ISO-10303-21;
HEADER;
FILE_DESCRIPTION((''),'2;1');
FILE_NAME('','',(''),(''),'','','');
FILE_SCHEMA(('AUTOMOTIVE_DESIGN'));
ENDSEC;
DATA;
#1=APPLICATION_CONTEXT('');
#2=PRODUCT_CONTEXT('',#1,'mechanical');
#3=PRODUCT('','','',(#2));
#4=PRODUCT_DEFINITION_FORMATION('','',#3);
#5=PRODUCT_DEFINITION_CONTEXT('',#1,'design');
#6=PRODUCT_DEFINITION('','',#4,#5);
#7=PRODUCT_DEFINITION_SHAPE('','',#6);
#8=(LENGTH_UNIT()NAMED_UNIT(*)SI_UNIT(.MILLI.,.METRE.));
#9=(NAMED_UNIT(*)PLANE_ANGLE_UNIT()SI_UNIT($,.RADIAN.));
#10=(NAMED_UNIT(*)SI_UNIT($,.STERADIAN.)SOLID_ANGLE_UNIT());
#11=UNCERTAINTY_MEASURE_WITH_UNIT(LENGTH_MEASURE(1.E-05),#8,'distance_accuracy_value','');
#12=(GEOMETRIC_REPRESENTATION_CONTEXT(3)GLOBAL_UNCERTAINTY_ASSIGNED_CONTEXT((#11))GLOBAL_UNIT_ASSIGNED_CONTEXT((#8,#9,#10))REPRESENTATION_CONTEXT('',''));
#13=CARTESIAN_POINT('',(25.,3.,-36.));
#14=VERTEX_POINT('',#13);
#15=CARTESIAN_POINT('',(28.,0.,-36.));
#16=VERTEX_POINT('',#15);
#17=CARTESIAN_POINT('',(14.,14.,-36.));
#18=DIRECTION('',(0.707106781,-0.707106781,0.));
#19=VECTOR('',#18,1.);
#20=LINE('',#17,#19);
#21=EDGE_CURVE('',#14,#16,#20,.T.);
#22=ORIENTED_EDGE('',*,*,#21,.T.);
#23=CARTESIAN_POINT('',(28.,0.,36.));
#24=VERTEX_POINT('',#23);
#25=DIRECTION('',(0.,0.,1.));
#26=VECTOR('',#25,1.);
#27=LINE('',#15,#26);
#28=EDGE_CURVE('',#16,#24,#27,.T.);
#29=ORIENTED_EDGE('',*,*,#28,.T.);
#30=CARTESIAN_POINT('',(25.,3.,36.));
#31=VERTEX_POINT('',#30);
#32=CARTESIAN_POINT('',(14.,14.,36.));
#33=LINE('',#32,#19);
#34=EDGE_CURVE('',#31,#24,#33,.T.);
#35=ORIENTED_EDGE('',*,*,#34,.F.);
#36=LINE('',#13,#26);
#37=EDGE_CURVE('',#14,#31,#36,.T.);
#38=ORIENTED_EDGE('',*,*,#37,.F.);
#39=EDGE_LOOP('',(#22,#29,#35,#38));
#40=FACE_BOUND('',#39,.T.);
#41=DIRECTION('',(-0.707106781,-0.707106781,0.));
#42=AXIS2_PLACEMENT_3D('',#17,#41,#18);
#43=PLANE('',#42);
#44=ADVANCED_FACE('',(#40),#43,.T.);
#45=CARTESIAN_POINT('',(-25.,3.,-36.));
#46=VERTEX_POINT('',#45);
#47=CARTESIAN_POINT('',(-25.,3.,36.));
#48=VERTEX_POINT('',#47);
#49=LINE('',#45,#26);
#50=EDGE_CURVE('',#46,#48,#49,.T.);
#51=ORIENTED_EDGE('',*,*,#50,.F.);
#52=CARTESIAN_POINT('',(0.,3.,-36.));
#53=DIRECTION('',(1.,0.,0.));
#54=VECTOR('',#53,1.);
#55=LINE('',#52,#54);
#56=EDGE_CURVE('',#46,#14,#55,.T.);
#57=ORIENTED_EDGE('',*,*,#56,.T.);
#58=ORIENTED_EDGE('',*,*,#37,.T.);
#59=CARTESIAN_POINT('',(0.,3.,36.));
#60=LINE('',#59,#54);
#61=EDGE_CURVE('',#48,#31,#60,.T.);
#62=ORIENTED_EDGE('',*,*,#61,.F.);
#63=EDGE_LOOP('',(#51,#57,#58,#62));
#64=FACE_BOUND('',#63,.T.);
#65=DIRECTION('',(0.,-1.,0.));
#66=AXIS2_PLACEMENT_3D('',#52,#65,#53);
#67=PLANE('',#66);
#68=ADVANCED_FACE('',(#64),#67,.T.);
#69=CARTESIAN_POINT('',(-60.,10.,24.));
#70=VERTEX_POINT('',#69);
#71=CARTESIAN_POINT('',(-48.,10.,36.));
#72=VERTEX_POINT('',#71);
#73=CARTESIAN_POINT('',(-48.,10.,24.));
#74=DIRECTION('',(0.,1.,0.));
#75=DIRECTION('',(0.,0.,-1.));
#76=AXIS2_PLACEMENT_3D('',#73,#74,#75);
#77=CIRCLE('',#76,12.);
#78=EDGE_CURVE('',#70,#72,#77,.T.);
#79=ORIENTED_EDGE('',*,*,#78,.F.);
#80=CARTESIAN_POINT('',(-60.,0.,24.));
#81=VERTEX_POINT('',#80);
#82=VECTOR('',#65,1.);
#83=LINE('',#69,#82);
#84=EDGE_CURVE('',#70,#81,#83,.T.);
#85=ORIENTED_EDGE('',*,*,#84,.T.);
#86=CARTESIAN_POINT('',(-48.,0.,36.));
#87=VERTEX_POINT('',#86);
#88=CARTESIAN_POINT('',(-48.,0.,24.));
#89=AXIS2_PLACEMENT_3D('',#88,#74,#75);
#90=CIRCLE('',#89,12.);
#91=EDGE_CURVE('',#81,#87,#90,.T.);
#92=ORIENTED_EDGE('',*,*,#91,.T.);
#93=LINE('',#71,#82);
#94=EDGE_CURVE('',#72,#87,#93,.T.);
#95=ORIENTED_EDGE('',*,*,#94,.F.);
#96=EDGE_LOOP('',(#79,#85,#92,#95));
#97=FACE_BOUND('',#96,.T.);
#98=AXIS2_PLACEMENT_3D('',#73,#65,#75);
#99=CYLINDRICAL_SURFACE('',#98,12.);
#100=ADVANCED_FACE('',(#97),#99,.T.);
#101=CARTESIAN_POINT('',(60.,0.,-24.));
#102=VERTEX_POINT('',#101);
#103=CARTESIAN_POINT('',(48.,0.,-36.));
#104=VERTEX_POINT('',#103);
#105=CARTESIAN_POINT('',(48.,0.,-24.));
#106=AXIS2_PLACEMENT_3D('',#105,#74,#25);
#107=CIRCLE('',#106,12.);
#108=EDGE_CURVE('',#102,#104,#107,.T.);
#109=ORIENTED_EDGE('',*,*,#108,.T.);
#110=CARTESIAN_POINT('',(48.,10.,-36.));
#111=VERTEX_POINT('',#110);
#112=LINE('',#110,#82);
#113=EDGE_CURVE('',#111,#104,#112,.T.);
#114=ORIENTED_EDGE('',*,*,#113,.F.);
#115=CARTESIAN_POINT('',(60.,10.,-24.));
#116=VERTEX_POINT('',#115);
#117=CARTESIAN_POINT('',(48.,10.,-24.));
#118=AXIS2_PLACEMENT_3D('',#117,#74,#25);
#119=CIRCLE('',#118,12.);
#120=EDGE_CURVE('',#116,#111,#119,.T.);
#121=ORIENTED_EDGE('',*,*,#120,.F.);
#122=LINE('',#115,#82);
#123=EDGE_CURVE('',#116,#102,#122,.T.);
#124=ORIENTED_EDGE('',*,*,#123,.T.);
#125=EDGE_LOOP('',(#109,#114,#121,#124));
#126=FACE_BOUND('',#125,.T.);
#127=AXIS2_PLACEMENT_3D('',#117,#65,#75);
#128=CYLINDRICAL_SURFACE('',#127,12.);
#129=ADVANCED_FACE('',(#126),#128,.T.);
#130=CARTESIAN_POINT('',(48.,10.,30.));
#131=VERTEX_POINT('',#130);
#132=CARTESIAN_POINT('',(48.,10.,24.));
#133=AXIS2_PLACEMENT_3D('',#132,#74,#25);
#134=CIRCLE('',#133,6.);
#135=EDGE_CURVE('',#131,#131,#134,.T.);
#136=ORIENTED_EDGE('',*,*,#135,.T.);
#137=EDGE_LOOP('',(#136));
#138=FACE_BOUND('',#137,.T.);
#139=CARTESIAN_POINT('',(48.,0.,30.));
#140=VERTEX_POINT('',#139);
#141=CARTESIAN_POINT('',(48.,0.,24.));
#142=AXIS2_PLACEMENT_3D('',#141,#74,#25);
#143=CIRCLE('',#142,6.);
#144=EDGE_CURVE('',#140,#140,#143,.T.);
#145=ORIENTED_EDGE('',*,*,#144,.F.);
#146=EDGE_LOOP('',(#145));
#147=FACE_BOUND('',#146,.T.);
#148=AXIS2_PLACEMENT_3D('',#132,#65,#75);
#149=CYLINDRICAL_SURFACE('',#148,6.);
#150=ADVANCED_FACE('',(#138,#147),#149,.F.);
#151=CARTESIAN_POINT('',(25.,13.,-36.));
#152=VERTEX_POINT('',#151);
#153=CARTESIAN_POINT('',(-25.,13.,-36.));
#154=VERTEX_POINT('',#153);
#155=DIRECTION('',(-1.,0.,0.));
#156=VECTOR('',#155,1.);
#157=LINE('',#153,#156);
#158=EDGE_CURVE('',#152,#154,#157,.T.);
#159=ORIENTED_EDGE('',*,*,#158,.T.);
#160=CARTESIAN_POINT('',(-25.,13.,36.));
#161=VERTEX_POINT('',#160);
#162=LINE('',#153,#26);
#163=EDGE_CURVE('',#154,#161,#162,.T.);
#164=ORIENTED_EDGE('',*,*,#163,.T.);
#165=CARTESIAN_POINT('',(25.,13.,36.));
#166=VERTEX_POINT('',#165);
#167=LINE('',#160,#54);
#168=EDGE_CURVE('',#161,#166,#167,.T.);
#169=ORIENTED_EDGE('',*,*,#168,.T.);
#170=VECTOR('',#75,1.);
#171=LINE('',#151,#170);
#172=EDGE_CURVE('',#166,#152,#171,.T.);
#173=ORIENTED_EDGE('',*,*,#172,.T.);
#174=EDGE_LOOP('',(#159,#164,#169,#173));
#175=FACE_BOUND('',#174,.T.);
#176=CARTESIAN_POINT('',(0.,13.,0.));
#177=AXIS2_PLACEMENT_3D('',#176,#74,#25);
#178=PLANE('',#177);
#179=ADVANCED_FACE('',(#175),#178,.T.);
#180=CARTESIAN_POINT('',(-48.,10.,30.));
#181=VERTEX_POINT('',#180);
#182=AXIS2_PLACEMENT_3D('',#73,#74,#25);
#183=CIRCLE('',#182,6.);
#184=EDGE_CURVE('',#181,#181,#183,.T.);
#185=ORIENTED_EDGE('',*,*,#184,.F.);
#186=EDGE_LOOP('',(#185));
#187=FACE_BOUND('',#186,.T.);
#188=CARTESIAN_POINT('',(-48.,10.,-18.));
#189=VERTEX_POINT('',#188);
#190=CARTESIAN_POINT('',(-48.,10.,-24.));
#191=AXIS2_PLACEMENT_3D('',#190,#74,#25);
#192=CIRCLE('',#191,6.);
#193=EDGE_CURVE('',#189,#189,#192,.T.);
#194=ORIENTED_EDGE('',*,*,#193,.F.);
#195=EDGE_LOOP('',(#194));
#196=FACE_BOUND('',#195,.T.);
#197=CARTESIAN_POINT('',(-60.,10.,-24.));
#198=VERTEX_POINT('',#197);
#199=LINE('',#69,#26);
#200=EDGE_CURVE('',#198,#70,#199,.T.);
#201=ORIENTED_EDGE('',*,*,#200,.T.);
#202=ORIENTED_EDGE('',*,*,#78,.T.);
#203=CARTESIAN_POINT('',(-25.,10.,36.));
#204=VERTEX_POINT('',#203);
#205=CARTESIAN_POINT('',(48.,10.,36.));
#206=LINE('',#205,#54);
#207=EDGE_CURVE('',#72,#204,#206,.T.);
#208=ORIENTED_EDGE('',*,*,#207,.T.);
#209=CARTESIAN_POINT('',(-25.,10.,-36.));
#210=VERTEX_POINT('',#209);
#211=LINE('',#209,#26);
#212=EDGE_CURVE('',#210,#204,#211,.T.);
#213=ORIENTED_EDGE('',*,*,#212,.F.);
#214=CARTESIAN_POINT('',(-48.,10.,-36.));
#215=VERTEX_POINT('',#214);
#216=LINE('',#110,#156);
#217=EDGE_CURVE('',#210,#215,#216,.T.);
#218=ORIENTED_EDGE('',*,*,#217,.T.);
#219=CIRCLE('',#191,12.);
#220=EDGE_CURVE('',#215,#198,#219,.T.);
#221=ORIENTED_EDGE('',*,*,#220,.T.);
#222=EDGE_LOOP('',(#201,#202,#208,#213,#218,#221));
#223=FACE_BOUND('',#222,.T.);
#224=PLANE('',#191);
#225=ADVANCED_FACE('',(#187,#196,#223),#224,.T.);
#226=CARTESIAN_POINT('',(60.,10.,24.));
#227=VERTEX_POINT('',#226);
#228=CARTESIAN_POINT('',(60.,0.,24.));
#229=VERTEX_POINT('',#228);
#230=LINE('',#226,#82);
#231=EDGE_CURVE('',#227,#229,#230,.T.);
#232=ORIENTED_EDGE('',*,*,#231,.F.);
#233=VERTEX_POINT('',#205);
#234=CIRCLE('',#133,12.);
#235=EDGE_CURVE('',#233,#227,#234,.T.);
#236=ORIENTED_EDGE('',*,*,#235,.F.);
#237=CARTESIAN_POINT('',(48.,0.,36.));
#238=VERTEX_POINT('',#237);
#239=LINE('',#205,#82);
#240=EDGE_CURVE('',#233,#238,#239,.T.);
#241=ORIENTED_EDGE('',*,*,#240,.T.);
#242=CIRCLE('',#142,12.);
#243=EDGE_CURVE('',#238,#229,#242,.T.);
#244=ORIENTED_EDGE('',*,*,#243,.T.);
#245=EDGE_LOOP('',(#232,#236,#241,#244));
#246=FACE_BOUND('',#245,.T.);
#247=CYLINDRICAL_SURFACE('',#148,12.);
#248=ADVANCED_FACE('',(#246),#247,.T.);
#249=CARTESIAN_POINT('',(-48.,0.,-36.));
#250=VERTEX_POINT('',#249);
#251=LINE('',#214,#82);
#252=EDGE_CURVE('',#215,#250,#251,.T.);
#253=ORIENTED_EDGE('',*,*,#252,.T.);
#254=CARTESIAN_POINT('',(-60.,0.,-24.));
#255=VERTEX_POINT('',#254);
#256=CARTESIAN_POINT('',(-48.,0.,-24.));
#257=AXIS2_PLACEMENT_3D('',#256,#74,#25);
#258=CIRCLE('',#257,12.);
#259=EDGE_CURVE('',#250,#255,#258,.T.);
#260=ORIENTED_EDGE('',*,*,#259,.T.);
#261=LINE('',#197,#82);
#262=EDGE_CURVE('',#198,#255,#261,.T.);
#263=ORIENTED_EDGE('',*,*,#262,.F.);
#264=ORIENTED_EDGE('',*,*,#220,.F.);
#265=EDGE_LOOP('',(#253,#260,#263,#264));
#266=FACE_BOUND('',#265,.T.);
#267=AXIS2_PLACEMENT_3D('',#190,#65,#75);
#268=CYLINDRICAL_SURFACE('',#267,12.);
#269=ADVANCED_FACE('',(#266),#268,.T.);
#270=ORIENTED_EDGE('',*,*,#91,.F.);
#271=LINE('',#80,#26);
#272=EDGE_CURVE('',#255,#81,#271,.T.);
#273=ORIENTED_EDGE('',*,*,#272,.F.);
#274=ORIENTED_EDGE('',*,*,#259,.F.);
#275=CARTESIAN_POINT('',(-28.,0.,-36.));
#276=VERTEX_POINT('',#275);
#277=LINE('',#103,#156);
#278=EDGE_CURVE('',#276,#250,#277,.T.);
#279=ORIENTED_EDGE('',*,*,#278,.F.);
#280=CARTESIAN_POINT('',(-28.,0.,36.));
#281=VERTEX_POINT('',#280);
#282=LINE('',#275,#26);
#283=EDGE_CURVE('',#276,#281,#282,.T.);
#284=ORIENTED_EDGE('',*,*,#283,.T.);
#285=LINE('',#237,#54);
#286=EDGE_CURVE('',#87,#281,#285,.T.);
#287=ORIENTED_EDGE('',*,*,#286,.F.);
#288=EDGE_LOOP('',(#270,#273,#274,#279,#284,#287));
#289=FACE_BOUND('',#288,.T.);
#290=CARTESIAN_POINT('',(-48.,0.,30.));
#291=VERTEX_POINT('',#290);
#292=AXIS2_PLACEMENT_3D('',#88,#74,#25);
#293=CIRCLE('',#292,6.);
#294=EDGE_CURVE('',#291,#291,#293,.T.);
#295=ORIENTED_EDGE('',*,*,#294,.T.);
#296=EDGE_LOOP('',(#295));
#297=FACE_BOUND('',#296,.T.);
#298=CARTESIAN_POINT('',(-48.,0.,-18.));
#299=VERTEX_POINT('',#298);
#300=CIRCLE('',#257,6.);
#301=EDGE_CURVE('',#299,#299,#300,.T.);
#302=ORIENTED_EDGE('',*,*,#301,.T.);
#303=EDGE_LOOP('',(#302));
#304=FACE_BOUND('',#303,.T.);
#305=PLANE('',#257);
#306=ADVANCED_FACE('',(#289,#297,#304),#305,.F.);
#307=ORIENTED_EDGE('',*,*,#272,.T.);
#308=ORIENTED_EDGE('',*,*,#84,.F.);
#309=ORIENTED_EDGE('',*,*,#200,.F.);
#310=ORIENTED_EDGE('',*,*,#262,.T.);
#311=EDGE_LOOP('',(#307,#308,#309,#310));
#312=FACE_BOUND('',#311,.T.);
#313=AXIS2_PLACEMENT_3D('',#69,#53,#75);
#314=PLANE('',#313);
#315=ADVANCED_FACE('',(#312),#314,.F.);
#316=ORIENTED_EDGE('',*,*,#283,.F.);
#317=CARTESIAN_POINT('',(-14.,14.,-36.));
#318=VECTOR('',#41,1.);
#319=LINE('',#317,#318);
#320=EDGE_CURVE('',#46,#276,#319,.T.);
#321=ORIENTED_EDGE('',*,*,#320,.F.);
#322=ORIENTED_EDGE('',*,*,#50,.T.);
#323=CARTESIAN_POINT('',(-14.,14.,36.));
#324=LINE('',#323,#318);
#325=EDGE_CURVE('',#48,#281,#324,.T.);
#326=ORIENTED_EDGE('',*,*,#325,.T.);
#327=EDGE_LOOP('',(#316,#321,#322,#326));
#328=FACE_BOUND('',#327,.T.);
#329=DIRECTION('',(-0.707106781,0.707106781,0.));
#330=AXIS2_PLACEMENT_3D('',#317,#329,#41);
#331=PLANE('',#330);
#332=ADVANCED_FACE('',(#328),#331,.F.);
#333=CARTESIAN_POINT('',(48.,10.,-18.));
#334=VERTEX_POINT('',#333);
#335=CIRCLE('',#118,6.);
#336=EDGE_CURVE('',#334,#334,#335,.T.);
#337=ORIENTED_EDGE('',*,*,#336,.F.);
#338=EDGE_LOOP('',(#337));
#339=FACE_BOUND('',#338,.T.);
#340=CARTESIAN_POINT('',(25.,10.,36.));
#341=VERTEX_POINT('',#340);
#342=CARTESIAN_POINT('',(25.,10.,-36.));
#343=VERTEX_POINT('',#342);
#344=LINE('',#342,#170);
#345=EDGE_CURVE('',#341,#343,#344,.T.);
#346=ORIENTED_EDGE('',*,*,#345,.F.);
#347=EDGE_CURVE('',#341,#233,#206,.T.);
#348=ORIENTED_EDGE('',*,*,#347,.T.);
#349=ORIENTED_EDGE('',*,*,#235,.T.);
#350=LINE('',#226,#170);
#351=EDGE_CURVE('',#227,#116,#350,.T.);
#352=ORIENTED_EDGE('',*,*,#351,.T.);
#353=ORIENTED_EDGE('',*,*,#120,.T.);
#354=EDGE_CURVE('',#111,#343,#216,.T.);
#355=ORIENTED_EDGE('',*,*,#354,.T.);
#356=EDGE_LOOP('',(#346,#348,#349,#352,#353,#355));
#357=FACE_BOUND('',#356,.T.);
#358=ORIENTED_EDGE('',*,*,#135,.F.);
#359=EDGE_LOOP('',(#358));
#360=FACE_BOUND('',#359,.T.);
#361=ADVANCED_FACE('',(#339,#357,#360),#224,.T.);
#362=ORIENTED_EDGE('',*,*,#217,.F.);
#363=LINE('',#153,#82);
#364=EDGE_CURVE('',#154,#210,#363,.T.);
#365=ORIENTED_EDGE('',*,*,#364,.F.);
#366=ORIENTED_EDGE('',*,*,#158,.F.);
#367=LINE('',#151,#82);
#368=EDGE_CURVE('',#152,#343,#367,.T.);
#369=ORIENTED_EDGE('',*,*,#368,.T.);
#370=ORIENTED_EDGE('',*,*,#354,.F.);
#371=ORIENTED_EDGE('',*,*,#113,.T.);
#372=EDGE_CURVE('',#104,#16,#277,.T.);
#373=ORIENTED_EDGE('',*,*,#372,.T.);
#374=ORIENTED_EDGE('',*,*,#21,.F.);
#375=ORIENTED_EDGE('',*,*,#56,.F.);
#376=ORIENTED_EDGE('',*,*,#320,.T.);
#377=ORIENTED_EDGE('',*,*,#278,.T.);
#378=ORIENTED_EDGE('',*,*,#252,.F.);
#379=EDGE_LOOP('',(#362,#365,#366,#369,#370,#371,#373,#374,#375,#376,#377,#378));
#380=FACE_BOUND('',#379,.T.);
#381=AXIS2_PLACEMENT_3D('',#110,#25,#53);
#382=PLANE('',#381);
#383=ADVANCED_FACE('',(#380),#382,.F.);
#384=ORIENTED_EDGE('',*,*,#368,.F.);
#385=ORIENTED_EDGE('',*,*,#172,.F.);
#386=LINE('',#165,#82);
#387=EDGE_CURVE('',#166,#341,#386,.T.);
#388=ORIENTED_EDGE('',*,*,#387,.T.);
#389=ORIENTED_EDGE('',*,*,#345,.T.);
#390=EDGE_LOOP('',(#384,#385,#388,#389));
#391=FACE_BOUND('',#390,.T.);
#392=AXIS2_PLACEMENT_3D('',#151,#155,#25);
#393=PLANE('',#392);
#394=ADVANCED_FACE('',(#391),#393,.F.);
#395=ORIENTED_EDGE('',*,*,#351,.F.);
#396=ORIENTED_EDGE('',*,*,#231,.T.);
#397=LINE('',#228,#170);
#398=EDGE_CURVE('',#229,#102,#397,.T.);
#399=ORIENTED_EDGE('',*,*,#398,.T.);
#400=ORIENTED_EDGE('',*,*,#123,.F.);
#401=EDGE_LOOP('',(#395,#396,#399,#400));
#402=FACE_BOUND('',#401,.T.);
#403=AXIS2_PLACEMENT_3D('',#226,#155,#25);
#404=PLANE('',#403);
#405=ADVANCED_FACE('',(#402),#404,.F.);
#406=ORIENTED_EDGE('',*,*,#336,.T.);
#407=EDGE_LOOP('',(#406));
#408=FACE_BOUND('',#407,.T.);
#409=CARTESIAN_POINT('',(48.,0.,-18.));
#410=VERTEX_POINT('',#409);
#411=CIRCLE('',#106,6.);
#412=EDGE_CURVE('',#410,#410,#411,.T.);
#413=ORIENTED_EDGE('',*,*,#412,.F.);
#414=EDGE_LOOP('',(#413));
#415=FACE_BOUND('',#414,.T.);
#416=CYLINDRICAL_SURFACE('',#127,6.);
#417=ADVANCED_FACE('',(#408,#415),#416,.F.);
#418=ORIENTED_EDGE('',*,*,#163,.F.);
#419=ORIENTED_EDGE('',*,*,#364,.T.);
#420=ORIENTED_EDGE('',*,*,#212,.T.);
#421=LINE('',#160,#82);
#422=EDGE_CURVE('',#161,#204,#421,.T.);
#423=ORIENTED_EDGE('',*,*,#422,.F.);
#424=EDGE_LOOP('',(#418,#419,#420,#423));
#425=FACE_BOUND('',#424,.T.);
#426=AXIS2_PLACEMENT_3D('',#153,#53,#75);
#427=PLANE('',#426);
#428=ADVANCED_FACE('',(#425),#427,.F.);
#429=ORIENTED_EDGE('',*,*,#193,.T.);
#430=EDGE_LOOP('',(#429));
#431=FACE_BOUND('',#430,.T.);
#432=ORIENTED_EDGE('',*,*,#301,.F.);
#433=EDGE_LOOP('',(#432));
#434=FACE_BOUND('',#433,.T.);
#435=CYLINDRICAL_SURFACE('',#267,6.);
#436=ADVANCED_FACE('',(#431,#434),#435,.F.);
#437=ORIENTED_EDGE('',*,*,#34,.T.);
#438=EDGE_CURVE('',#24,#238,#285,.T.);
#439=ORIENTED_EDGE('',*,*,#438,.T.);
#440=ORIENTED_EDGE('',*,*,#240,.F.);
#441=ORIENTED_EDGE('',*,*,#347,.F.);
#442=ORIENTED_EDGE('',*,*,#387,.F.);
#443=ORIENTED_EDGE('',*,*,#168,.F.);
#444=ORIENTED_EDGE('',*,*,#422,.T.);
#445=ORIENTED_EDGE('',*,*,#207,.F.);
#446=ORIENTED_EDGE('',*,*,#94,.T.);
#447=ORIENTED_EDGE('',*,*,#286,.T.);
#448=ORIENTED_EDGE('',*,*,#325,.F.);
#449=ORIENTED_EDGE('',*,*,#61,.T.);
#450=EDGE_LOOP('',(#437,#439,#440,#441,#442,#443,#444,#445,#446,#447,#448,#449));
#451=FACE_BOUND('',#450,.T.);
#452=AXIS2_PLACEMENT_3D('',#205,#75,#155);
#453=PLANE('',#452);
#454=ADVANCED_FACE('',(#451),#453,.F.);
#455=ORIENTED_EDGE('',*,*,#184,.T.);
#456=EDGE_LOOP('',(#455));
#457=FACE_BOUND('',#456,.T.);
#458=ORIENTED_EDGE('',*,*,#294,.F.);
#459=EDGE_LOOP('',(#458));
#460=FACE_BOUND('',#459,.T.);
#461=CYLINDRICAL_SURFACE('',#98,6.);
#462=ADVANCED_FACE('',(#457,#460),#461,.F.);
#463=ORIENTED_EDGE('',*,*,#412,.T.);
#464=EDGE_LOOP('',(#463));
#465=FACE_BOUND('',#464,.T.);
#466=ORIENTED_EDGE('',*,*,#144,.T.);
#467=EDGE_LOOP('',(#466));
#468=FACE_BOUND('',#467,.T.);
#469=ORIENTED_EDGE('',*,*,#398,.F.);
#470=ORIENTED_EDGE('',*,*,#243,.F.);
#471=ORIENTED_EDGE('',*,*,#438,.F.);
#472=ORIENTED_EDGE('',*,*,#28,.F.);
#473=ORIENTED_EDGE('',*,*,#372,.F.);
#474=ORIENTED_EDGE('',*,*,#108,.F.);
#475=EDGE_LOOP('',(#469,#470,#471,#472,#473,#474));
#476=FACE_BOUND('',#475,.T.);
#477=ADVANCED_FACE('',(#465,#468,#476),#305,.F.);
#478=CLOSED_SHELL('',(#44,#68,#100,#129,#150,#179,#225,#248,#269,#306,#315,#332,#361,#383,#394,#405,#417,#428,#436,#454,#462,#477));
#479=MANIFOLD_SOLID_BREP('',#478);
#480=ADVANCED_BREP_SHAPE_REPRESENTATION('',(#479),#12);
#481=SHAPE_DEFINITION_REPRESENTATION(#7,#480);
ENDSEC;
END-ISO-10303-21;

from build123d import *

# Parameters (mm, degrees)
SKETCH3_R           = 6
BOSS_EXTRUDE1_DEPTH = 10
SKETCH4_W           = 50
SKETCH4_H           = 72
BOSS_EXTRUDE2_DEPTH = 3
CUT_EXTRUDE1_DEPTH  = 95.620293806


with BuildPart() as part:
    # Sketch3 → Boss-Extrude1 (new body)
    with BuildSketch(Plane(origin=(0, 0, 0), x_dir=(1, 0, 0), z_dir=(0, 1, 0))):
        with BuildLine():
            Line((48, -36), (-48, -36))
            ThreePointArc((-48, -36), (-56.485281374, -32.485281374), (-60, -24))
            Line((-60, -24), (-60, 24))
            ThreePointArc((-60, 24), (-56.485281374, 32.485281374), (-48, 36))
            Line((-48, 36), (48, 36))
            ThreePointArc((48, 36), (56.485281374, 32.485281374), (60, 24))
            Line((60, 24), (60, -24))
            ThreePointArc((60, -24), (56.485281374, -32.485281374), (48, -36))
        make_face()
        with Locations(Location((-48, 24, 0), (0, 0, 270))):
            Circle(SKETCH3_R, mode=Mode.SUBTRACT)
        with Locations(Location((-48, -24, 0), (0, 0, 270))):
            Circle(SKETCH3_R, mode=Mode.SUBTRACT)
        with Locations(Location((48, -24, 0), (0, 0, 270))):
            Circle(SKETCH3_R, mode=Mode.SUBTRACT)
        with Locations(Location((48, 24, 0), (0, 0, 270))):
            Circle(SKETCH3_R, mode=Mode.SUBTRACT)
    extrude(amount=BOSS_EXTRUDE1_DEPTH)

    # Sketch4 → Boss-Extrude2 (add)
    with BuildSketch(Plane(origin=(0, 10, 0), x_dir=(1, 0, 0), z_dir=(0, 1, 0))):
        Rectangle(SKETCH4_W, SKETCH4_H)
    extrude(amount=BOSS_EXTRUDE2_DEPTH)

    # Sketch5 → Cut-Extrude1 (cut, through all)
    with BuildSketch(Plane.XY.offset(36)):
        Polygon((0, 0), (28, 0), (25, 3), (-25, 3), (-28, 0), align=None)
    extrude(amount=-CUT_EXTRUDE1_DEPTH, mode=Mode.SUBTRACT)


solid = part.part
